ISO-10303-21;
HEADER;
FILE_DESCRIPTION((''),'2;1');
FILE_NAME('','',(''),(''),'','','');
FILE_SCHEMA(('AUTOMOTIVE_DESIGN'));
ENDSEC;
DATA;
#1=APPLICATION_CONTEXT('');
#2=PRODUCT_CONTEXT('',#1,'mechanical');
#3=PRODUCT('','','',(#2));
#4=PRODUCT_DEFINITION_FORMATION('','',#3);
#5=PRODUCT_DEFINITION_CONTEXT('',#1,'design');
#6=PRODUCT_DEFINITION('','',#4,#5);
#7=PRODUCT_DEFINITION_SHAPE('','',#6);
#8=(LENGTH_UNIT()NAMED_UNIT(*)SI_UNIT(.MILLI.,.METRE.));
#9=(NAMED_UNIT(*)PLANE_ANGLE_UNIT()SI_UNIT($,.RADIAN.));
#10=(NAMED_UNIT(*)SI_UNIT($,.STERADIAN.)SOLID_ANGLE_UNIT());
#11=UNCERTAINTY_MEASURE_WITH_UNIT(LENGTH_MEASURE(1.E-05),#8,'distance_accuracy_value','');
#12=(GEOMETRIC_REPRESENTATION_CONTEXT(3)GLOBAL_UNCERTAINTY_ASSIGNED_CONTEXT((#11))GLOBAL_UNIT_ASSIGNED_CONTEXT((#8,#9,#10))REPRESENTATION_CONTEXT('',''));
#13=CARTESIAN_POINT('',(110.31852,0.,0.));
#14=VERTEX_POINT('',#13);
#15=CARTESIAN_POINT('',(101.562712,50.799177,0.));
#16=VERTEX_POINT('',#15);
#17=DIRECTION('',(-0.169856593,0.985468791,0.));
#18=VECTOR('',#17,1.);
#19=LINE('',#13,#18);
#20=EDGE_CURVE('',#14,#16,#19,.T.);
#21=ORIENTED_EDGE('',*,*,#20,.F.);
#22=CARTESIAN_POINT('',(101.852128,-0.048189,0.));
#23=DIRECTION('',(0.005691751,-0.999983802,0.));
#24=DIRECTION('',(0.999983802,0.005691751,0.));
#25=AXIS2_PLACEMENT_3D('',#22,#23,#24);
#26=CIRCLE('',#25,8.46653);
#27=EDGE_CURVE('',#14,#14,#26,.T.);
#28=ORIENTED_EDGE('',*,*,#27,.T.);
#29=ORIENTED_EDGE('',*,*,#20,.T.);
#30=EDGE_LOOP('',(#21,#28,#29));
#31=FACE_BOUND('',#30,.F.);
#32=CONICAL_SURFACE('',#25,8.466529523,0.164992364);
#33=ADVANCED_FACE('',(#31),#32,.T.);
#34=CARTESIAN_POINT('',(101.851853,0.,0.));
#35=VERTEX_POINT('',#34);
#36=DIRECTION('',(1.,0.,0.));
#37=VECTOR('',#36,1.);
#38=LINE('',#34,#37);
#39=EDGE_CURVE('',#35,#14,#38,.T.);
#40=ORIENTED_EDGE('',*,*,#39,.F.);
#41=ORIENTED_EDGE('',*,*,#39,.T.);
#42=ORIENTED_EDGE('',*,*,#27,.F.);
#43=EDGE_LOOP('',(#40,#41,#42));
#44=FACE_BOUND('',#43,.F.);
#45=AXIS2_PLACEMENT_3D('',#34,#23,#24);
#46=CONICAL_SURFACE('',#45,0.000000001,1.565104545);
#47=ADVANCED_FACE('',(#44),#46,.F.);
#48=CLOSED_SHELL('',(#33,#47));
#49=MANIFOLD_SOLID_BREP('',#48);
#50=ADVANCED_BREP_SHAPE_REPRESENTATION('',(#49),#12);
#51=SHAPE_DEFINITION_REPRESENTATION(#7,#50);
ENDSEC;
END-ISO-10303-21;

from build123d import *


with BuildPart() as f1:
    # F0 (on Top) → F1 (revolve)
    with BuildSketch(Plane.XY):
        Polygon((101.5627124816, 50.7991771342), (101.8518534287, 0), (110.3185200954, 0), align=None)
    revolve(axis=Axis((101.7072829552, 25.3995885671, 0), (0.0056917509, -0.9999838019, 0)))


solid = f1.part
